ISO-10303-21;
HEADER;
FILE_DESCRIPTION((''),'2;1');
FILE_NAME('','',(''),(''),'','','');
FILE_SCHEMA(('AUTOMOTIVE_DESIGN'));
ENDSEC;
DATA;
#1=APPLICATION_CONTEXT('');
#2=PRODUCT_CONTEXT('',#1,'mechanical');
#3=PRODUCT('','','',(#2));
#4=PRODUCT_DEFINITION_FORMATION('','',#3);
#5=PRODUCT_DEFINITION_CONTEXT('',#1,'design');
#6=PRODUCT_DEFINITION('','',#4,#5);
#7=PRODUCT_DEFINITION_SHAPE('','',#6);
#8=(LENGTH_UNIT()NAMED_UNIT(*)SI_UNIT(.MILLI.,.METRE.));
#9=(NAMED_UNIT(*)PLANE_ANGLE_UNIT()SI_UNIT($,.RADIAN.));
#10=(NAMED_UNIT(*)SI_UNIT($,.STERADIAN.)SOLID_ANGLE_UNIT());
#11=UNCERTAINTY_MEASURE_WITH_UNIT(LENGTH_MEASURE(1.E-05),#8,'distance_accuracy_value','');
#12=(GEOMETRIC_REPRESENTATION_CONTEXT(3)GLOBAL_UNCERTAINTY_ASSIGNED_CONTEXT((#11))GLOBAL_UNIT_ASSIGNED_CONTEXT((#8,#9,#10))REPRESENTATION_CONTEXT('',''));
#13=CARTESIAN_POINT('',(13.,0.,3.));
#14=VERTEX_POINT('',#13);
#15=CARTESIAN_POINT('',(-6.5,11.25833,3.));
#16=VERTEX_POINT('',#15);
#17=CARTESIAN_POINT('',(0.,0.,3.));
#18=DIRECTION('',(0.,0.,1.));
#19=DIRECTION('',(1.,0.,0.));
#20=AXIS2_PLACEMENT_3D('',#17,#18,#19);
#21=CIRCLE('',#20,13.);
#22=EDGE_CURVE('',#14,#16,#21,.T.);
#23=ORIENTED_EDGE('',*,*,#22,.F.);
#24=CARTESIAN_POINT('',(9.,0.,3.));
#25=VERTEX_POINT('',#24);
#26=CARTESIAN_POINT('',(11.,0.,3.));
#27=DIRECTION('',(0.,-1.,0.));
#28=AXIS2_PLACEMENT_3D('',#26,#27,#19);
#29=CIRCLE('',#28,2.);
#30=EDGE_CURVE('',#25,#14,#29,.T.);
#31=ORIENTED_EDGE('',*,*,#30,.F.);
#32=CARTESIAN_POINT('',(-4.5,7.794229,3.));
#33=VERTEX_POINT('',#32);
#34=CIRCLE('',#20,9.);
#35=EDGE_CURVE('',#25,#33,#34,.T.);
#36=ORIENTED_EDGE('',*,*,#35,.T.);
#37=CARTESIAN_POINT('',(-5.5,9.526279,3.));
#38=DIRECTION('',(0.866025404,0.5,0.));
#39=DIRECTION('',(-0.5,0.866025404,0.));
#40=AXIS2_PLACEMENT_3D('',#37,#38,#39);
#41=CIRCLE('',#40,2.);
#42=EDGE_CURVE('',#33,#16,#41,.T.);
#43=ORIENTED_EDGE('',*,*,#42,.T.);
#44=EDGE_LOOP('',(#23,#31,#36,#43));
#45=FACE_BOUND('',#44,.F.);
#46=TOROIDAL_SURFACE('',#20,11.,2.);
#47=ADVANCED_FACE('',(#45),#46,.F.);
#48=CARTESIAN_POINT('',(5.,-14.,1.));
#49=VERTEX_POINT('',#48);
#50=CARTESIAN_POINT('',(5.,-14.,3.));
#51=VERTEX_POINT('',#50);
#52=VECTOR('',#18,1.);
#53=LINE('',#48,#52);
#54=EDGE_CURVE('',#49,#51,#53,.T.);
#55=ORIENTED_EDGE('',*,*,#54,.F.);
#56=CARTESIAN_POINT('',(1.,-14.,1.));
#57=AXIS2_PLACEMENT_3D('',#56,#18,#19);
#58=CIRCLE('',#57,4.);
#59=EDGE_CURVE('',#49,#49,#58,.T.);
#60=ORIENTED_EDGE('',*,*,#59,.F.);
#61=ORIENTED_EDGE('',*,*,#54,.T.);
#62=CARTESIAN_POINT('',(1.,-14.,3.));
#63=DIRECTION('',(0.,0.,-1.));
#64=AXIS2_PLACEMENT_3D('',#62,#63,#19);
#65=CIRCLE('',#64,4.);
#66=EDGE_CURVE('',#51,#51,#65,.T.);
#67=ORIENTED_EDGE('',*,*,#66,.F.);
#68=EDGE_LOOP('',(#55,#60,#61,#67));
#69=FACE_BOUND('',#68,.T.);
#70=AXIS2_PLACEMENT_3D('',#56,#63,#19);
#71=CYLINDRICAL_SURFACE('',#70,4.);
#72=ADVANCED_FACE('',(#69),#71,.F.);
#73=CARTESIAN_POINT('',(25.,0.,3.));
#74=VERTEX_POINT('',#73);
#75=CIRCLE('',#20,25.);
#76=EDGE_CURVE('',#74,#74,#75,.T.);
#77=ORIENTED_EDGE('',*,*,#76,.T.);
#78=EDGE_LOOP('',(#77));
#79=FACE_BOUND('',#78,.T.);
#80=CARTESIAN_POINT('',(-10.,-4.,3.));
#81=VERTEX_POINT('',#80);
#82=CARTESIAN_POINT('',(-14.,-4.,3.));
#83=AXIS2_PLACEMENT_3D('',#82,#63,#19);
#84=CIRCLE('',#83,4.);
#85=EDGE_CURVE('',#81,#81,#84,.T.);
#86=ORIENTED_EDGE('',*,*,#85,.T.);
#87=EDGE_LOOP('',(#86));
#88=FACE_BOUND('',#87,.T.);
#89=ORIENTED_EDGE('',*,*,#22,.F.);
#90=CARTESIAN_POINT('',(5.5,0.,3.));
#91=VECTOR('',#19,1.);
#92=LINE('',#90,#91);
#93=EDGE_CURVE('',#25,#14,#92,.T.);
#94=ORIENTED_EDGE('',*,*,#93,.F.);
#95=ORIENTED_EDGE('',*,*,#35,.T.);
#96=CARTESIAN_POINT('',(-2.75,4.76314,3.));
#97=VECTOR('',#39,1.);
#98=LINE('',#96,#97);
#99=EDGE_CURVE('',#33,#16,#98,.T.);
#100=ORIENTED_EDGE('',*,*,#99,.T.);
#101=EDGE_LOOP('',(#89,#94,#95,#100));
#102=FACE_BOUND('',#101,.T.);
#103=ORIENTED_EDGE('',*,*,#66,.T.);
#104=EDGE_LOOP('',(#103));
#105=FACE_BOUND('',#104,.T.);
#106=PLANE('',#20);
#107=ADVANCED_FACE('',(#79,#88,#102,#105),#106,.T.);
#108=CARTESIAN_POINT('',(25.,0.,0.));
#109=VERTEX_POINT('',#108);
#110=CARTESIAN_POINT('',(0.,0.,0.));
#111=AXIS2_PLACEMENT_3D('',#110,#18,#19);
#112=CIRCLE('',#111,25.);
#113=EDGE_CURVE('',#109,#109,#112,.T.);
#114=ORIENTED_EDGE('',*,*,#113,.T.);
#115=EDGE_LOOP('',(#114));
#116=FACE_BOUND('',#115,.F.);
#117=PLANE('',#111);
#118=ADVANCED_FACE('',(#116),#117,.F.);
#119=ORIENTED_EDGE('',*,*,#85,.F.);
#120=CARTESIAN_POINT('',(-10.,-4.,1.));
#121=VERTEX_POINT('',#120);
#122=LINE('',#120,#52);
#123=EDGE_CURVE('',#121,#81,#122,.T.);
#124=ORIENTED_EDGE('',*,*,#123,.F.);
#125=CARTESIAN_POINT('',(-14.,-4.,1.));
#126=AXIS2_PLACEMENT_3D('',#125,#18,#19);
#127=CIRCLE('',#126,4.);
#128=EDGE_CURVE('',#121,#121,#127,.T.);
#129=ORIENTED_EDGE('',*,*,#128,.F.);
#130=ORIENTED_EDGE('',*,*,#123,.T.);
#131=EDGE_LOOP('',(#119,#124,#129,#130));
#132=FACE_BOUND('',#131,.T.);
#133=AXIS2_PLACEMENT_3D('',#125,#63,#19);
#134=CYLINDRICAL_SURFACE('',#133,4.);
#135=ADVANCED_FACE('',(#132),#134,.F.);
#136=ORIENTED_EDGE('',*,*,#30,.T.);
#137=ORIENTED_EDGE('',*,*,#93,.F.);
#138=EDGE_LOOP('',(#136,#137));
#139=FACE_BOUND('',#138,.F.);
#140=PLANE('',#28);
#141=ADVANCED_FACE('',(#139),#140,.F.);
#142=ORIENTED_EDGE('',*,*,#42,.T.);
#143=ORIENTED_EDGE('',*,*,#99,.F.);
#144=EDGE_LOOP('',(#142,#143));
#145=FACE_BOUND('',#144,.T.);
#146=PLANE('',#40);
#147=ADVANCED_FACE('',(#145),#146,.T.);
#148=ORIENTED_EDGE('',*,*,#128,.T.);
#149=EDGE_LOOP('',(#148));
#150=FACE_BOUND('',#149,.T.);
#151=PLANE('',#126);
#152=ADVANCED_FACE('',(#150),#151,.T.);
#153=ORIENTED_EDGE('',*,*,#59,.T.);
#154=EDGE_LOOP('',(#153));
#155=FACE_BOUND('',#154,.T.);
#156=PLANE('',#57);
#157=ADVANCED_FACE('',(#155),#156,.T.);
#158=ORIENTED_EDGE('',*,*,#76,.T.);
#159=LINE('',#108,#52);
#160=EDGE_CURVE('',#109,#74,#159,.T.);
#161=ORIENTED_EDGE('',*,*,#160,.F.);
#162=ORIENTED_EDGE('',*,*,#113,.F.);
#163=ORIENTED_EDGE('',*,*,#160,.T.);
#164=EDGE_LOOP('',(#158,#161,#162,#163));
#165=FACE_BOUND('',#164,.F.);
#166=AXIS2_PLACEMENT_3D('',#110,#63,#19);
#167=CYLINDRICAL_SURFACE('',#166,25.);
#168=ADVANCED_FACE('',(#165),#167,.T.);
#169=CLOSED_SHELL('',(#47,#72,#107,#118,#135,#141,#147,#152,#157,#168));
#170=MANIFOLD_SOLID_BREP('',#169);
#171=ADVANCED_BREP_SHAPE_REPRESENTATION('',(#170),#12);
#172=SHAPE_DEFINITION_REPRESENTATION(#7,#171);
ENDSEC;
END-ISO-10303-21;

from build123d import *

# Parameters (mm, degrees)
CYLINDER001_R     = 4
CYLINDER001_DEPTH = 10
CYLINDER002_R     = 4
CYLINDER002_DEPTH = 10
TORUS_R           = 2
TORUS_ANGLE       = 120
CYLINDER_R        = 25
CYLINDER_DEPTH    = 3


with BuildPart() as eye:
    # Cylinder001 → Cylinder001 (new body)
    with BuildSketch(Plane(origin=(1, -14, 1), x_dir=(1, 0, 0), z_dir=(0, 0, 1))):
        Circle(CYLINDER001_R)
    extrude(amount=CYLINDER001_DEPTH)


with BuildPart() as eye001:
    # Cylinder002 → Cylinder002 (new body)
    with BuildSketch(Plane(origin=(-14, -4, 1), x_dir=(1, 0, 0), z_dir=(0, 0, 1))):
        Circle(CYLINDER002_R)
    extrude(amount=CYLINDER002_DEPTH)


with BuildPart() as fusion:
    # Torus → Torus (revolve)
    with BuildSketch(Plane(origin=(0, 0, 3), x_dir=(1, 0, 0), z_dir=(0, -1, 0))):
        with Locations((11, 0)):
            Circle(TORUS_R)
    revolve(axis=Axis((0, 0, 3), (0, 0, 1)), revolution_arc=TORUS_ANGLE)

    # Fusion: union eye, eye001
    add(eye.part)
    add(eye001.part)


with BuildPart() as smiley:
    # Cylinder → Cylinder (new body)
    with BuildSketch(Plane.XY):
        Circle(CYLINDER_R)
    extrude(amount=CYLINDER_DEPTH)

    # Cut: cut Fusion
    add(fusion.part, mode=Mode.SUBTRACT)


solid = smiley.part
